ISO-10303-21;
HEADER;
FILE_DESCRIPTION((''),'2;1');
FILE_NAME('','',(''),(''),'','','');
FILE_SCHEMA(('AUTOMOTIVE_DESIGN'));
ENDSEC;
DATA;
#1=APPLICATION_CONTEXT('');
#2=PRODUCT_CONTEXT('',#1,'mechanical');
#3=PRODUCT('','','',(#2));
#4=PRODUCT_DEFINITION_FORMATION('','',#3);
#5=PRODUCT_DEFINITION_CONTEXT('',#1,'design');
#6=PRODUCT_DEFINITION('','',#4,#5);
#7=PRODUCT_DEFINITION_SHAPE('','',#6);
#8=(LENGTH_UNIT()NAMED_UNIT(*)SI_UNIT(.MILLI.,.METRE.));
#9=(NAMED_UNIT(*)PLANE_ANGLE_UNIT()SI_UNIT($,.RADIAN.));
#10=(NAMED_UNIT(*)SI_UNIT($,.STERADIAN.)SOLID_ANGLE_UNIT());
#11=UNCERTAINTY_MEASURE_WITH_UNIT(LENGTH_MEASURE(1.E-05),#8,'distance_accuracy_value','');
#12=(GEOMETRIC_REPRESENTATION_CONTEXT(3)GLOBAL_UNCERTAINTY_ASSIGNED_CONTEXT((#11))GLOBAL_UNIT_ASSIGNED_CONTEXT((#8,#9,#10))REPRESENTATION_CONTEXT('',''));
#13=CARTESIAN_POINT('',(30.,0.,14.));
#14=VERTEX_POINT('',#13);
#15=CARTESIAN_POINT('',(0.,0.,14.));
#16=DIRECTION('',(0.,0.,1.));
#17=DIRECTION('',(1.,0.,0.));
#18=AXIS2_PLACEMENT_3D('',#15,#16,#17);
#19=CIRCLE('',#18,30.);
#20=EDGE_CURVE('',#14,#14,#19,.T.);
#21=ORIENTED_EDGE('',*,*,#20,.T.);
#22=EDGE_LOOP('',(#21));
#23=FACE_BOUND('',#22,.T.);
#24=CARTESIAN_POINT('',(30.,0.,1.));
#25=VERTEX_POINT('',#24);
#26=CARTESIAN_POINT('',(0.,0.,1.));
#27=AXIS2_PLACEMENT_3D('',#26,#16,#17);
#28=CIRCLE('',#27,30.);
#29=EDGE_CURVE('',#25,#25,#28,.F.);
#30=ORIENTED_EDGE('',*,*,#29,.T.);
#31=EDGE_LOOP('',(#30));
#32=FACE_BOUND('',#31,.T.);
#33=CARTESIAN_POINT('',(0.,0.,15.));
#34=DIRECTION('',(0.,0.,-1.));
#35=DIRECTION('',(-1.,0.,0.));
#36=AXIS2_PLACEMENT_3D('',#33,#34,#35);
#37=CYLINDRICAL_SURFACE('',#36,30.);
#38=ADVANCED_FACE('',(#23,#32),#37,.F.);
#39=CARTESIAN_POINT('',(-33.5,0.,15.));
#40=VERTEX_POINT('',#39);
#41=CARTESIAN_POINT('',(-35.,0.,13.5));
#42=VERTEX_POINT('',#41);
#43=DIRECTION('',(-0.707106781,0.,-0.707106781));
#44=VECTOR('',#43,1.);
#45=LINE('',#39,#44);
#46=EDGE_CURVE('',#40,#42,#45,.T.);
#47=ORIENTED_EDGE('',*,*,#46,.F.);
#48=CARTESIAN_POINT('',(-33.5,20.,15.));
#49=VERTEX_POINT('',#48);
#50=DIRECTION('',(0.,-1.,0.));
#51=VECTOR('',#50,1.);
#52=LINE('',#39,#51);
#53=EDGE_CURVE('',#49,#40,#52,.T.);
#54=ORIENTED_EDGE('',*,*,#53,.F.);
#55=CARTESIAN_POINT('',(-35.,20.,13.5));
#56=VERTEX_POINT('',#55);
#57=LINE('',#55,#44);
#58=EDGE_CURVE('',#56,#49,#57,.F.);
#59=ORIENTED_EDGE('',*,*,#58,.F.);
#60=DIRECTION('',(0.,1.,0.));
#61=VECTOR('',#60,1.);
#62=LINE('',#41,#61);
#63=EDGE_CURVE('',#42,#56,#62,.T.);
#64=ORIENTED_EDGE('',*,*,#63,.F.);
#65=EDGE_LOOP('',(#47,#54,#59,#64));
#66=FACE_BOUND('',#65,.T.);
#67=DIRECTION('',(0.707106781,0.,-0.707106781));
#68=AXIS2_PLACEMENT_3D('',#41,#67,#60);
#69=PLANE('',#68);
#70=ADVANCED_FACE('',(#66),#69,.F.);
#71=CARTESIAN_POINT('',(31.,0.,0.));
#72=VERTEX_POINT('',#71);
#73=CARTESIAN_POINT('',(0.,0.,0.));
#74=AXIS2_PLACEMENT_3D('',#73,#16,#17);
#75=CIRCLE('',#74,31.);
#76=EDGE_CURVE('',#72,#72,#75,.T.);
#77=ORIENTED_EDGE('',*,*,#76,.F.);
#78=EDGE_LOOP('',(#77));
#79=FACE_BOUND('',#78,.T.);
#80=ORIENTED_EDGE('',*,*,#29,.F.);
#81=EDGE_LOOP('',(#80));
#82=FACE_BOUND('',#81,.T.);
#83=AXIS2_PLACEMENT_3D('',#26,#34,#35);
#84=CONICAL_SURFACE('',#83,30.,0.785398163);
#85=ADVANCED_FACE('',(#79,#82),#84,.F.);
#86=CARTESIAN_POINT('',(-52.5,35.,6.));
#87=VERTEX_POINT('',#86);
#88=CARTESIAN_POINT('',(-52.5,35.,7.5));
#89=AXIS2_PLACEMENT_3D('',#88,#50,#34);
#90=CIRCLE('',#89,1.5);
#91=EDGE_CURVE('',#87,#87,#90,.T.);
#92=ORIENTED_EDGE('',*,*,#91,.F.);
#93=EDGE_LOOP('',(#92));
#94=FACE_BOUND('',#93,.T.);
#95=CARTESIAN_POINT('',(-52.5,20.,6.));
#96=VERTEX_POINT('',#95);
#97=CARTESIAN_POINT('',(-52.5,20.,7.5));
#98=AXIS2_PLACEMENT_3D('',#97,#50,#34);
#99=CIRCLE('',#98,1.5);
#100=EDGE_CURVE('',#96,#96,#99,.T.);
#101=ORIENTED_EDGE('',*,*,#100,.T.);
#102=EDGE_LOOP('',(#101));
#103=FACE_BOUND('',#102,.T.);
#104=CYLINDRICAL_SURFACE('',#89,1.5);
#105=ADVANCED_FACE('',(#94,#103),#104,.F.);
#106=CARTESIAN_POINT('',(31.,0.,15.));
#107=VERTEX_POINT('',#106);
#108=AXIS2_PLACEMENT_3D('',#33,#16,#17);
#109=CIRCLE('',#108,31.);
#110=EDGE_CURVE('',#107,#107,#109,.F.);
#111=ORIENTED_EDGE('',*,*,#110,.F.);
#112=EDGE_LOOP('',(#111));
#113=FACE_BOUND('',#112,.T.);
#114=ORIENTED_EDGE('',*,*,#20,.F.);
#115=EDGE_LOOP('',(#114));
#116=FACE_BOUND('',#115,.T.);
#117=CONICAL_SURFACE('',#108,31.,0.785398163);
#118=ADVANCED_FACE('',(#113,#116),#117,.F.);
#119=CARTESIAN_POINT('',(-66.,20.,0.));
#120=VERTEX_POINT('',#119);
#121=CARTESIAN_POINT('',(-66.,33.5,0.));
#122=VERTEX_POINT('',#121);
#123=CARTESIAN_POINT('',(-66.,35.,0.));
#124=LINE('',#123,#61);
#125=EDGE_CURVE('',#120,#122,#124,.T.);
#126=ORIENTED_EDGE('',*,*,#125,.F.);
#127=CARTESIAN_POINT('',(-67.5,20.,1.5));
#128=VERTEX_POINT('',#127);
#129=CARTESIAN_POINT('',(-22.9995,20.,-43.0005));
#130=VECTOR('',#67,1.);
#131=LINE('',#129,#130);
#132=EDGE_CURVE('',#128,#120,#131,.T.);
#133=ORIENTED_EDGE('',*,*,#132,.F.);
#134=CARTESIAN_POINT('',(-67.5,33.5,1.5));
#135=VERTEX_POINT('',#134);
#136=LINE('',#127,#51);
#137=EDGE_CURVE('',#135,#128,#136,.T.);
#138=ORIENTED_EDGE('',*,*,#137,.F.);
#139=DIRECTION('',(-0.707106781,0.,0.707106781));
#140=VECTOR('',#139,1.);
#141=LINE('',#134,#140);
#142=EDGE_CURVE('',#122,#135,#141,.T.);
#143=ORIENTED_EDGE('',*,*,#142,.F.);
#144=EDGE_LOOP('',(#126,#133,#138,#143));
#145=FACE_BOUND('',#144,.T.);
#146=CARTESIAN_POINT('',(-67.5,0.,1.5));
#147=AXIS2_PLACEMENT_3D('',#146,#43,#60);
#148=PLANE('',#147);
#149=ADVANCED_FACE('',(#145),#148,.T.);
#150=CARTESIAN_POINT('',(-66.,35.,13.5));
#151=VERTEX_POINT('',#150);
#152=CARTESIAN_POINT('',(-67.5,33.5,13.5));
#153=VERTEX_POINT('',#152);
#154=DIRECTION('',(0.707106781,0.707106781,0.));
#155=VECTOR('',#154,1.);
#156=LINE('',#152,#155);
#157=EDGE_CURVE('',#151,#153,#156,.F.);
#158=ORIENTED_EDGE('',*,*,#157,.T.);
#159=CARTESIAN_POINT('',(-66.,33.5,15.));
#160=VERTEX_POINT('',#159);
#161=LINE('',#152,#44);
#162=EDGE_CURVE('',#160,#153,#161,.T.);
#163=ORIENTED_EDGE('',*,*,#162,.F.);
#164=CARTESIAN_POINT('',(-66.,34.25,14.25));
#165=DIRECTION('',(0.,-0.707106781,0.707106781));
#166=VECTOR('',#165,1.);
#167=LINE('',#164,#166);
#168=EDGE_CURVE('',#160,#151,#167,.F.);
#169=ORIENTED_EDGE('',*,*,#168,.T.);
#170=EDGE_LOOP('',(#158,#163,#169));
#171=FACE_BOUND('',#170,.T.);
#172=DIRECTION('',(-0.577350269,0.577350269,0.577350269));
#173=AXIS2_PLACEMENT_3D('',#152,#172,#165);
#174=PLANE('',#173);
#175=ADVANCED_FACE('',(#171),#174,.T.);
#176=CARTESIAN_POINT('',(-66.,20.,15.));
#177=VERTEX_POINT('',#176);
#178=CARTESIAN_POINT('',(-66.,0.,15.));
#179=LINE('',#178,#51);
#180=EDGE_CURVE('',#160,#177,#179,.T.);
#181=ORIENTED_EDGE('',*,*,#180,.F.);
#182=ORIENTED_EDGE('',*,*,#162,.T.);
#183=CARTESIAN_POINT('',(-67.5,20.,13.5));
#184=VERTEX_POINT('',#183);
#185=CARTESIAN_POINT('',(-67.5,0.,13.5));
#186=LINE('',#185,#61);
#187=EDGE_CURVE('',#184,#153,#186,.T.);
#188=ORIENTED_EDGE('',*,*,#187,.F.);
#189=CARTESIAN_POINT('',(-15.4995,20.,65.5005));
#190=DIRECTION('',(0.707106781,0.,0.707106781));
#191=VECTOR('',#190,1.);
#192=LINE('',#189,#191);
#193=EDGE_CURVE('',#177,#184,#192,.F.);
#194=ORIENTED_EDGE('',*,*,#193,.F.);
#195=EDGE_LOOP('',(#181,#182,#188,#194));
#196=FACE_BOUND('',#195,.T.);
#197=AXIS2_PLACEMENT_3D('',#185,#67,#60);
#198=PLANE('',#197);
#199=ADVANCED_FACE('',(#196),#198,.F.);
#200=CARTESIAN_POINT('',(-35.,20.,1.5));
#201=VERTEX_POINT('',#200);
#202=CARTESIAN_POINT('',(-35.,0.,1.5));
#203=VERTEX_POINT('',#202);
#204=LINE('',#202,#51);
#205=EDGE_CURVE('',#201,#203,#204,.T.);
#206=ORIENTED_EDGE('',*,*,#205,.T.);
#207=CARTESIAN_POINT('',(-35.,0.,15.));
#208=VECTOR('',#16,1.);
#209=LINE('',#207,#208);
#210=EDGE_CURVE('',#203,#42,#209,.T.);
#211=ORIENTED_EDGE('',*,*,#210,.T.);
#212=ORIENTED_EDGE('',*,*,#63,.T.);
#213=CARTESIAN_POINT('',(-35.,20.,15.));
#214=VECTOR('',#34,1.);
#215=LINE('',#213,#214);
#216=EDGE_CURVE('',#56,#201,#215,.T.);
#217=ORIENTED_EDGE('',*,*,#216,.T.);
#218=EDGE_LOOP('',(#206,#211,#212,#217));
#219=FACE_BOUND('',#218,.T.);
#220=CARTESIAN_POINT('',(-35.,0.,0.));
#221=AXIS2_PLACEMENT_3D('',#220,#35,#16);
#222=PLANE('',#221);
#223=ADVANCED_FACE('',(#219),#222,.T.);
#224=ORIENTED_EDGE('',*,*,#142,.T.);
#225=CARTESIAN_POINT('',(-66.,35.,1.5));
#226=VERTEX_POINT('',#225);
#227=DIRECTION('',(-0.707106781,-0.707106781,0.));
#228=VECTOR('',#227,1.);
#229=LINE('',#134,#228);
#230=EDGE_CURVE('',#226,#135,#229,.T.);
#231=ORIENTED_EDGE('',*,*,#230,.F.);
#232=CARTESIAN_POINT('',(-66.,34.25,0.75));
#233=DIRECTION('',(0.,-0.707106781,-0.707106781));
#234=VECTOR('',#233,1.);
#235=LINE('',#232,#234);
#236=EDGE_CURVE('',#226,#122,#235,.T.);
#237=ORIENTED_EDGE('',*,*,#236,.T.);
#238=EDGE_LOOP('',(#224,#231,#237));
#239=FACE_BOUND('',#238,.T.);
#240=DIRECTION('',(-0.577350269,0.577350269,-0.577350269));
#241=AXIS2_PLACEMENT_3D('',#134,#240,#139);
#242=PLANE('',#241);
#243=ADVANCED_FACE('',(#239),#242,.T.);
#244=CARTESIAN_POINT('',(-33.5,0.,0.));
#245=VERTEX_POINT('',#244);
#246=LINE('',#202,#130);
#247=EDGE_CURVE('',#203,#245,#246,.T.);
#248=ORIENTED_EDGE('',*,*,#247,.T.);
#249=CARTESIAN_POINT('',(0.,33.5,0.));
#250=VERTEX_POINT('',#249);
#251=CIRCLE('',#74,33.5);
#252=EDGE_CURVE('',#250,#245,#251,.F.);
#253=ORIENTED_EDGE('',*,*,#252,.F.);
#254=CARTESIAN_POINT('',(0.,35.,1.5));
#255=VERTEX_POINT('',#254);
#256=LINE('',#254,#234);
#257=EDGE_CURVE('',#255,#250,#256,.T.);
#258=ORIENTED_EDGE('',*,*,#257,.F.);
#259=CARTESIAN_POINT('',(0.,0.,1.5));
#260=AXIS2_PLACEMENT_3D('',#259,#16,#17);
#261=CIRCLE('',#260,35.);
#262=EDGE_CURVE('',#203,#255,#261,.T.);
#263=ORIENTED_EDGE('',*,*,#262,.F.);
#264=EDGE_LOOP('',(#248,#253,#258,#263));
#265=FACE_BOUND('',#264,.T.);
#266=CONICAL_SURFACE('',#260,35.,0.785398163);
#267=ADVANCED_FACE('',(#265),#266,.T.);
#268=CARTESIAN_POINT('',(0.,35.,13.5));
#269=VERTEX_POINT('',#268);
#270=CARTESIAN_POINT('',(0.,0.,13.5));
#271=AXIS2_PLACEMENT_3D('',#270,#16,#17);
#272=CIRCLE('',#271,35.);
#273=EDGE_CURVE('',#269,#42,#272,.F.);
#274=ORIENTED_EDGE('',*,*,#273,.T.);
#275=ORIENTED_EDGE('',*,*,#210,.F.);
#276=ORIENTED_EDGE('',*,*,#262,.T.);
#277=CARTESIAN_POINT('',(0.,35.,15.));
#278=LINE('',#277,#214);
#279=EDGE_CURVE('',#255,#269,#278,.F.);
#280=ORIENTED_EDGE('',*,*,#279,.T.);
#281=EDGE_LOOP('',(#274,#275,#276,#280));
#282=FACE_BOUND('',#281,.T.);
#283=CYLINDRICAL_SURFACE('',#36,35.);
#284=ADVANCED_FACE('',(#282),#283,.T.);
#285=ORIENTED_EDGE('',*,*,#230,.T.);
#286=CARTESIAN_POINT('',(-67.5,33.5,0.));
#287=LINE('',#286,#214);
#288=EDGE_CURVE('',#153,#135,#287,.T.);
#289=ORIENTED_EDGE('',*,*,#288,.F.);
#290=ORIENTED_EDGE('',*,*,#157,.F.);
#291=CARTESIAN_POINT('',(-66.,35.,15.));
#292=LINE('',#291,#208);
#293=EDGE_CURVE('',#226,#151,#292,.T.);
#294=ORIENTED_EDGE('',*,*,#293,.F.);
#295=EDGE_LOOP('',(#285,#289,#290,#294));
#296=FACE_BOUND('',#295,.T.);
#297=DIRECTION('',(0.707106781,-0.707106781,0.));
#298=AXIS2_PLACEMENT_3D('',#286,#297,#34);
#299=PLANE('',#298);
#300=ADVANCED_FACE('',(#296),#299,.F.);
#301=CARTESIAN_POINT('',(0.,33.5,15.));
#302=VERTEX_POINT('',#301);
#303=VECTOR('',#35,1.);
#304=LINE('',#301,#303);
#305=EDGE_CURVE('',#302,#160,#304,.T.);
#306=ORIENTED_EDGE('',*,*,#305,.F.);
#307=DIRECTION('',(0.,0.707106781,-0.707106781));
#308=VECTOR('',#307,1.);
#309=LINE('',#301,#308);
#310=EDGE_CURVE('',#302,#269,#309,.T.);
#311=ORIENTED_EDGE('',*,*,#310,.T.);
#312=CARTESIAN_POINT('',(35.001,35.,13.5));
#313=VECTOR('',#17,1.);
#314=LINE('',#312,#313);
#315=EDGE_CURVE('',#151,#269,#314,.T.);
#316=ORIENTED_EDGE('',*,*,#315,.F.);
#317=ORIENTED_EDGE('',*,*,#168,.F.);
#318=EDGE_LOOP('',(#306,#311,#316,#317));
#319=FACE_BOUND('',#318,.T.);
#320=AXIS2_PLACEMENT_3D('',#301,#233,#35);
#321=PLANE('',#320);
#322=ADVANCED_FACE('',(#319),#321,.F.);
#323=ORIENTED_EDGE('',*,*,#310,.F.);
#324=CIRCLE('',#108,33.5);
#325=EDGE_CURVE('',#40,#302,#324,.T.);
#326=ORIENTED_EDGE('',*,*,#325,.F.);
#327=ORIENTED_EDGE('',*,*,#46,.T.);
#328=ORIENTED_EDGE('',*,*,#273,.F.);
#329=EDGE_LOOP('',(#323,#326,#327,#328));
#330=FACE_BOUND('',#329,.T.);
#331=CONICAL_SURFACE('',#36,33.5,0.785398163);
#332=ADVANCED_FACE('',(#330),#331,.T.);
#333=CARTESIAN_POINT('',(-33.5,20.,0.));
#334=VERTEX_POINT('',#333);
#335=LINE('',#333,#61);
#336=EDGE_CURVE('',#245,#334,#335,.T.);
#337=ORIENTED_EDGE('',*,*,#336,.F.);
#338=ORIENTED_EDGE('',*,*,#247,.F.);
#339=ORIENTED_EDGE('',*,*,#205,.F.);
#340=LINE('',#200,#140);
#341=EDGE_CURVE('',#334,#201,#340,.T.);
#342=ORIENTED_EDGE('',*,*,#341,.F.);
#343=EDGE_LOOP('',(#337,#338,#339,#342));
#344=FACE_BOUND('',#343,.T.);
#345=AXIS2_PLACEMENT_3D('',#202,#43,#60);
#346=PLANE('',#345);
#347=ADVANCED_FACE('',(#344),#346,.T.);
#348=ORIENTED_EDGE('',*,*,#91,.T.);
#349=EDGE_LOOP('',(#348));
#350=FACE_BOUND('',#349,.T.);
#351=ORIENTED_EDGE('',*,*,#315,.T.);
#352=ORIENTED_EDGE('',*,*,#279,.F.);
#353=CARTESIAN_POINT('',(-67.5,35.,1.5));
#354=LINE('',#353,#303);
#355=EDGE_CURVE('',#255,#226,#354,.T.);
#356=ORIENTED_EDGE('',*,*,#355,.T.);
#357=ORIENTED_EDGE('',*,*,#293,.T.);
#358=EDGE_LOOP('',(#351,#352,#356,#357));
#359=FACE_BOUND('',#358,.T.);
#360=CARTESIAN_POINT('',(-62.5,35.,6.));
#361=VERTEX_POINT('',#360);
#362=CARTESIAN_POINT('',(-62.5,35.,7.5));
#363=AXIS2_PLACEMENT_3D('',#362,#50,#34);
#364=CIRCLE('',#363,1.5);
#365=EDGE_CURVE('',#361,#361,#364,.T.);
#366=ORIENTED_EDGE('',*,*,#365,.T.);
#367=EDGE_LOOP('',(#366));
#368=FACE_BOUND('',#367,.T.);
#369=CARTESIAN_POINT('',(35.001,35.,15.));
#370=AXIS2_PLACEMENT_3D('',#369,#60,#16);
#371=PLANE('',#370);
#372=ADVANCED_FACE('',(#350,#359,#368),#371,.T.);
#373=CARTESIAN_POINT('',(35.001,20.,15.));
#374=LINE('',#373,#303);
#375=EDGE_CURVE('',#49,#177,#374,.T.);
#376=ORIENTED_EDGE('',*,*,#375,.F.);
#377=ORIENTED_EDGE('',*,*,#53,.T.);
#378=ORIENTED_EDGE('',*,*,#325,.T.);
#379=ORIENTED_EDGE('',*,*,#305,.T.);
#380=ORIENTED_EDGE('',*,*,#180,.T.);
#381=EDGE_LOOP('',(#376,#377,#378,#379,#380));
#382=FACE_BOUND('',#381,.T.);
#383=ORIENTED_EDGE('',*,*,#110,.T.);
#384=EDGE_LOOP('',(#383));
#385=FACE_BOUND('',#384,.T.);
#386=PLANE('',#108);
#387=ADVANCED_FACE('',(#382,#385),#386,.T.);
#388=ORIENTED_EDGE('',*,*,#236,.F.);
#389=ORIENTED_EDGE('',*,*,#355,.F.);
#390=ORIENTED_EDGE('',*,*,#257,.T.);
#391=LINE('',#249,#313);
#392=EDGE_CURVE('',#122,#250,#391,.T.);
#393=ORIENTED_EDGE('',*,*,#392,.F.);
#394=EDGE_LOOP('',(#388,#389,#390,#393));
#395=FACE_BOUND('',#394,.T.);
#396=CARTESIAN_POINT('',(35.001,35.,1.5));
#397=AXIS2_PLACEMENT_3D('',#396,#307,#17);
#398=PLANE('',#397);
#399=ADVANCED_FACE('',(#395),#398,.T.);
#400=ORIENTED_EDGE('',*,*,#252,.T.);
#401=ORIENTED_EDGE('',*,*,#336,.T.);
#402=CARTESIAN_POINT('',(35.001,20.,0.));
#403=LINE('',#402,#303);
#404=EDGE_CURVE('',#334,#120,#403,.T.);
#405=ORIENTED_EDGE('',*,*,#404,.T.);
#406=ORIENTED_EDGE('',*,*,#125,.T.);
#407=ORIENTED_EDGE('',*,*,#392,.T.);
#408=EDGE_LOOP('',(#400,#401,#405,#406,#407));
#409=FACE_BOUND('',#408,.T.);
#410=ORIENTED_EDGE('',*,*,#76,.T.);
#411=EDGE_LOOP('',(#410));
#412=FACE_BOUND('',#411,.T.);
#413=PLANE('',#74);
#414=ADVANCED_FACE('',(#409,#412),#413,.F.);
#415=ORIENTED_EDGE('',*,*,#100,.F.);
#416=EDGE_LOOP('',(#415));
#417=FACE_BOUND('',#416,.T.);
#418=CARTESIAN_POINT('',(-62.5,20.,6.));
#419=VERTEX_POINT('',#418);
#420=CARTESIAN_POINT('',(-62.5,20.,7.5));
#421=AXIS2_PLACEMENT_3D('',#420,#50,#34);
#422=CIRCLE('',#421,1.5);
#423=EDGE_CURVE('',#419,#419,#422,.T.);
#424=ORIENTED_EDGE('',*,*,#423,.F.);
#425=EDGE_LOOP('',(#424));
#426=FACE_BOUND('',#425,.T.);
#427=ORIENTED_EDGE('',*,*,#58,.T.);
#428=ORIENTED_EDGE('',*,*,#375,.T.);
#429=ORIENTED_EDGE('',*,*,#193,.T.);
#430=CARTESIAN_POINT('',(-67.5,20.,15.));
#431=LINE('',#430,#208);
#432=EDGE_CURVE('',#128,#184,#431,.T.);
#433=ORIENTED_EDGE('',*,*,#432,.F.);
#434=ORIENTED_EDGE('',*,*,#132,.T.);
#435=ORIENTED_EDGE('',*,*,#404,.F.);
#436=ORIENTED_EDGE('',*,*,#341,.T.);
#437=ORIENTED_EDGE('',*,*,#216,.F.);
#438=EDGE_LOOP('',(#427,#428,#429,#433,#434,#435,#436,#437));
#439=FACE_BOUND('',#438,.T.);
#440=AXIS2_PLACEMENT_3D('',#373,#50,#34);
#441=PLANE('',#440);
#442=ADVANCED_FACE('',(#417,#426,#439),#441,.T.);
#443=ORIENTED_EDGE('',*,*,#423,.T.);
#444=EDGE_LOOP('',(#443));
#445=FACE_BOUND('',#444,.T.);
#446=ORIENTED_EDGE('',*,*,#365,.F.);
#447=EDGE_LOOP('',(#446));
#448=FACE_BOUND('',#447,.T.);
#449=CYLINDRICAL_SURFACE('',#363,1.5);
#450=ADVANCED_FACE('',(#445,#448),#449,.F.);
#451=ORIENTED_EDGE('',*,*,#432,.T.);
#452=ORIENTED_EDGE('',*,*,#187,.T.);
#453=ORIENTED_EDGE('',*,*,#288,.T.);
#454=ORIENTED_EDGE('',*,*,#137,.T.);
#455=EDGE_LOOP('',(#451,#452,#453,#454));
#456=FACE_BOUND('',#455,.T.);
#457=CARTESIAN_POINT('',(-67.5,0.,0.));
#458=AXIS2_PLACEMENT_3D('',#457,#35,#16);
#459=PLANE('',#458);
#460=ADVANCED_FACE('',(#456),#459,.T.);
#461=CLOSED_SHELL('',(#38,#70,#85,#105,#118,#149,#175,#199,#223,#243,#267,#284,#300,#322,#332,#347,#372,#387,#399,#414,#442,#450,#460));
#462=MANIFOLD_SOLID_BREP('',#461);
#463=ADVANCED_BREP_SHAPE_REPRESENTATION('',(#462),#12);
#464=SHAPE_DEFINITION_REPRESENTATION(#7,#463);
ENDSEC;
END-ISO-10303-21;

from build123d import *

# Parameters (mm, degrees)
SKETCH_1_R           = 35
EXTRUDE_1_DEPTH      = 15
SKETCH_2_R           = 30
CUT_EXTRUDE_1_DEPTH  = 52.720402164
EXTRUDE_2_REACH      = 81.687
EXTRUDE_2_END_RADIUS = 35
SKETCH_3_W           = 15
SKETCH_3_H           = 15
SKETCH_4_W           = 15
SKETCH_4_H           = 15
EXTRUDE_3_DEPTH      = 32.5
EXTRUDE_4_REACH      = 81.687
SKETCH_6_W           = 15
SKETCH_6_H           = 20
SKETCH_7_R           = 1.5
CUT_EXTRUDE_2_DEPTH  = 89.352985235
CHAMFER_1_SIZE       = 1
CHAMFER_2_SIZE       = 1.5


with BuildPart() as part:
    # 草图1 → 凸台-拉伸1 (new body)
    with BuildSketch(Plane.XY):
        Circle(SKETCH_1_R)
    extrude(amount=EXTRUDE_1_DEPTH)

    # 草图2 → 切除-拉伸1 (cut, through all)
    with BuildSketch(Plane(origin=(0, 0, 0), x_dir=(-1, 0, 0), z_dir=(0, 0, -1))):
        Circle(SKETCH_2_R)
    extrude(amount=-CUT_EXTRUDE_1_DEPTH, mode=Mode.SUBTRACT)

    # 凸台-拉伸2: up to this cylinder (the profile starts outside it)
    extrude_2_end = Plane(origin=(0, 0, 7.5), z_dir=(0, 0, -1)) * Cylinder(EXTRUDE_2_END_RADIUS, 234.374, mode=Mode.PRIVATE)
    # 草图3 → 凸台-拉伸2 (add, up to the surface)
    with BuildSketch(Plane.ZY.offset(35), mode=Mode.PRIVATE) as extrude_2_sk1:
        with Locations((7.5, 27.5)):
            Rectangle(SKETCH_3_W, SKETCH_3_H)
    extrude_2_tool1 = extrude(extrude_2_sk1.sketch, amount=-EXTRUDE_2_REACH, mode=Mode.PRIVATE) - extrude_2_end
    add(extrude_2_tool1.solids().sort_by_distance((-35, 27.5, 7.5))[0])

    # 草图4 → 凸台-拉伸3 (add)
    with BuildSketch(Plane.ZY.offset(35)):
        with Locations((7.5, 27.5)):
            Rectangle(SKETCH_4_W, SKETCH_4_H)
    extrude(amount=EXTRUDE_3_DEPTH)

    # 草图6 → 凸台-拉伸4 (add, up to next)
    with BuildSketch(Plane.ZY.offset(35), mode=Mode.PRIVATE) as extrude_4_sk1:
        with Locations((7.5, 10)):
            Rectangle(SKETCH_6_W, SKETCH_6_H)
    extrude_4_tool1 = extrude(extrude_4_sk1.sketch, amount=-EXTRUDE_4_REACH, mode=Mode.PRIVATE) - part.part
    add(extrude_4_tool1.solids().sort_by_distance((-35, 10, 7.5))[0])

    # 草图7 → 切除-拉伸2 (cut, through all)
    with BuildSketch(Plane.XZ.offset(-20)):
        with Locations(Location((-62.5, 7.5, 0), (0, 0, 270))):
            Circle(SKETCH_7_R)
        with Locations(Location((-52.5, 7.5, 0), (0, 0, 270))):
            Circle(SKETCH_7_R)
    extrude(amount=-CUT_EXTRUDE_2_DEPTH, mode=Mode.SUBTRACT)

    # 倒角1
    chamfer_1_edges = [part.edges().sort_by_distance(p)[0] for p in [
        (30, 0, 15),
        (30, 0, 0),
    ]]
    chamfer(chamfer_1_edges, length=CHAMFER_1_SIZE)

    # 倒角2
    chamfer_2_edges = [part.edges().sort_by_distance(p)[0] for p in [
        (-33.75, 35, 15),
        (-33.75, 35, 0),
        (-67.5, 27.5, 0),
        (-67.5, 27.5, 15),
        (-67.5, 35, 7.5),
        (24.748737342, -24.748737342, 0),
        (24.748737342, -24.748737342, 15),
        (-35, 10, 0),
        (-35, 10, 15),
    ]]
    chamfer(chamfer_2_edges, length=CHAMFER_2_SIZE)


solid = part.part
